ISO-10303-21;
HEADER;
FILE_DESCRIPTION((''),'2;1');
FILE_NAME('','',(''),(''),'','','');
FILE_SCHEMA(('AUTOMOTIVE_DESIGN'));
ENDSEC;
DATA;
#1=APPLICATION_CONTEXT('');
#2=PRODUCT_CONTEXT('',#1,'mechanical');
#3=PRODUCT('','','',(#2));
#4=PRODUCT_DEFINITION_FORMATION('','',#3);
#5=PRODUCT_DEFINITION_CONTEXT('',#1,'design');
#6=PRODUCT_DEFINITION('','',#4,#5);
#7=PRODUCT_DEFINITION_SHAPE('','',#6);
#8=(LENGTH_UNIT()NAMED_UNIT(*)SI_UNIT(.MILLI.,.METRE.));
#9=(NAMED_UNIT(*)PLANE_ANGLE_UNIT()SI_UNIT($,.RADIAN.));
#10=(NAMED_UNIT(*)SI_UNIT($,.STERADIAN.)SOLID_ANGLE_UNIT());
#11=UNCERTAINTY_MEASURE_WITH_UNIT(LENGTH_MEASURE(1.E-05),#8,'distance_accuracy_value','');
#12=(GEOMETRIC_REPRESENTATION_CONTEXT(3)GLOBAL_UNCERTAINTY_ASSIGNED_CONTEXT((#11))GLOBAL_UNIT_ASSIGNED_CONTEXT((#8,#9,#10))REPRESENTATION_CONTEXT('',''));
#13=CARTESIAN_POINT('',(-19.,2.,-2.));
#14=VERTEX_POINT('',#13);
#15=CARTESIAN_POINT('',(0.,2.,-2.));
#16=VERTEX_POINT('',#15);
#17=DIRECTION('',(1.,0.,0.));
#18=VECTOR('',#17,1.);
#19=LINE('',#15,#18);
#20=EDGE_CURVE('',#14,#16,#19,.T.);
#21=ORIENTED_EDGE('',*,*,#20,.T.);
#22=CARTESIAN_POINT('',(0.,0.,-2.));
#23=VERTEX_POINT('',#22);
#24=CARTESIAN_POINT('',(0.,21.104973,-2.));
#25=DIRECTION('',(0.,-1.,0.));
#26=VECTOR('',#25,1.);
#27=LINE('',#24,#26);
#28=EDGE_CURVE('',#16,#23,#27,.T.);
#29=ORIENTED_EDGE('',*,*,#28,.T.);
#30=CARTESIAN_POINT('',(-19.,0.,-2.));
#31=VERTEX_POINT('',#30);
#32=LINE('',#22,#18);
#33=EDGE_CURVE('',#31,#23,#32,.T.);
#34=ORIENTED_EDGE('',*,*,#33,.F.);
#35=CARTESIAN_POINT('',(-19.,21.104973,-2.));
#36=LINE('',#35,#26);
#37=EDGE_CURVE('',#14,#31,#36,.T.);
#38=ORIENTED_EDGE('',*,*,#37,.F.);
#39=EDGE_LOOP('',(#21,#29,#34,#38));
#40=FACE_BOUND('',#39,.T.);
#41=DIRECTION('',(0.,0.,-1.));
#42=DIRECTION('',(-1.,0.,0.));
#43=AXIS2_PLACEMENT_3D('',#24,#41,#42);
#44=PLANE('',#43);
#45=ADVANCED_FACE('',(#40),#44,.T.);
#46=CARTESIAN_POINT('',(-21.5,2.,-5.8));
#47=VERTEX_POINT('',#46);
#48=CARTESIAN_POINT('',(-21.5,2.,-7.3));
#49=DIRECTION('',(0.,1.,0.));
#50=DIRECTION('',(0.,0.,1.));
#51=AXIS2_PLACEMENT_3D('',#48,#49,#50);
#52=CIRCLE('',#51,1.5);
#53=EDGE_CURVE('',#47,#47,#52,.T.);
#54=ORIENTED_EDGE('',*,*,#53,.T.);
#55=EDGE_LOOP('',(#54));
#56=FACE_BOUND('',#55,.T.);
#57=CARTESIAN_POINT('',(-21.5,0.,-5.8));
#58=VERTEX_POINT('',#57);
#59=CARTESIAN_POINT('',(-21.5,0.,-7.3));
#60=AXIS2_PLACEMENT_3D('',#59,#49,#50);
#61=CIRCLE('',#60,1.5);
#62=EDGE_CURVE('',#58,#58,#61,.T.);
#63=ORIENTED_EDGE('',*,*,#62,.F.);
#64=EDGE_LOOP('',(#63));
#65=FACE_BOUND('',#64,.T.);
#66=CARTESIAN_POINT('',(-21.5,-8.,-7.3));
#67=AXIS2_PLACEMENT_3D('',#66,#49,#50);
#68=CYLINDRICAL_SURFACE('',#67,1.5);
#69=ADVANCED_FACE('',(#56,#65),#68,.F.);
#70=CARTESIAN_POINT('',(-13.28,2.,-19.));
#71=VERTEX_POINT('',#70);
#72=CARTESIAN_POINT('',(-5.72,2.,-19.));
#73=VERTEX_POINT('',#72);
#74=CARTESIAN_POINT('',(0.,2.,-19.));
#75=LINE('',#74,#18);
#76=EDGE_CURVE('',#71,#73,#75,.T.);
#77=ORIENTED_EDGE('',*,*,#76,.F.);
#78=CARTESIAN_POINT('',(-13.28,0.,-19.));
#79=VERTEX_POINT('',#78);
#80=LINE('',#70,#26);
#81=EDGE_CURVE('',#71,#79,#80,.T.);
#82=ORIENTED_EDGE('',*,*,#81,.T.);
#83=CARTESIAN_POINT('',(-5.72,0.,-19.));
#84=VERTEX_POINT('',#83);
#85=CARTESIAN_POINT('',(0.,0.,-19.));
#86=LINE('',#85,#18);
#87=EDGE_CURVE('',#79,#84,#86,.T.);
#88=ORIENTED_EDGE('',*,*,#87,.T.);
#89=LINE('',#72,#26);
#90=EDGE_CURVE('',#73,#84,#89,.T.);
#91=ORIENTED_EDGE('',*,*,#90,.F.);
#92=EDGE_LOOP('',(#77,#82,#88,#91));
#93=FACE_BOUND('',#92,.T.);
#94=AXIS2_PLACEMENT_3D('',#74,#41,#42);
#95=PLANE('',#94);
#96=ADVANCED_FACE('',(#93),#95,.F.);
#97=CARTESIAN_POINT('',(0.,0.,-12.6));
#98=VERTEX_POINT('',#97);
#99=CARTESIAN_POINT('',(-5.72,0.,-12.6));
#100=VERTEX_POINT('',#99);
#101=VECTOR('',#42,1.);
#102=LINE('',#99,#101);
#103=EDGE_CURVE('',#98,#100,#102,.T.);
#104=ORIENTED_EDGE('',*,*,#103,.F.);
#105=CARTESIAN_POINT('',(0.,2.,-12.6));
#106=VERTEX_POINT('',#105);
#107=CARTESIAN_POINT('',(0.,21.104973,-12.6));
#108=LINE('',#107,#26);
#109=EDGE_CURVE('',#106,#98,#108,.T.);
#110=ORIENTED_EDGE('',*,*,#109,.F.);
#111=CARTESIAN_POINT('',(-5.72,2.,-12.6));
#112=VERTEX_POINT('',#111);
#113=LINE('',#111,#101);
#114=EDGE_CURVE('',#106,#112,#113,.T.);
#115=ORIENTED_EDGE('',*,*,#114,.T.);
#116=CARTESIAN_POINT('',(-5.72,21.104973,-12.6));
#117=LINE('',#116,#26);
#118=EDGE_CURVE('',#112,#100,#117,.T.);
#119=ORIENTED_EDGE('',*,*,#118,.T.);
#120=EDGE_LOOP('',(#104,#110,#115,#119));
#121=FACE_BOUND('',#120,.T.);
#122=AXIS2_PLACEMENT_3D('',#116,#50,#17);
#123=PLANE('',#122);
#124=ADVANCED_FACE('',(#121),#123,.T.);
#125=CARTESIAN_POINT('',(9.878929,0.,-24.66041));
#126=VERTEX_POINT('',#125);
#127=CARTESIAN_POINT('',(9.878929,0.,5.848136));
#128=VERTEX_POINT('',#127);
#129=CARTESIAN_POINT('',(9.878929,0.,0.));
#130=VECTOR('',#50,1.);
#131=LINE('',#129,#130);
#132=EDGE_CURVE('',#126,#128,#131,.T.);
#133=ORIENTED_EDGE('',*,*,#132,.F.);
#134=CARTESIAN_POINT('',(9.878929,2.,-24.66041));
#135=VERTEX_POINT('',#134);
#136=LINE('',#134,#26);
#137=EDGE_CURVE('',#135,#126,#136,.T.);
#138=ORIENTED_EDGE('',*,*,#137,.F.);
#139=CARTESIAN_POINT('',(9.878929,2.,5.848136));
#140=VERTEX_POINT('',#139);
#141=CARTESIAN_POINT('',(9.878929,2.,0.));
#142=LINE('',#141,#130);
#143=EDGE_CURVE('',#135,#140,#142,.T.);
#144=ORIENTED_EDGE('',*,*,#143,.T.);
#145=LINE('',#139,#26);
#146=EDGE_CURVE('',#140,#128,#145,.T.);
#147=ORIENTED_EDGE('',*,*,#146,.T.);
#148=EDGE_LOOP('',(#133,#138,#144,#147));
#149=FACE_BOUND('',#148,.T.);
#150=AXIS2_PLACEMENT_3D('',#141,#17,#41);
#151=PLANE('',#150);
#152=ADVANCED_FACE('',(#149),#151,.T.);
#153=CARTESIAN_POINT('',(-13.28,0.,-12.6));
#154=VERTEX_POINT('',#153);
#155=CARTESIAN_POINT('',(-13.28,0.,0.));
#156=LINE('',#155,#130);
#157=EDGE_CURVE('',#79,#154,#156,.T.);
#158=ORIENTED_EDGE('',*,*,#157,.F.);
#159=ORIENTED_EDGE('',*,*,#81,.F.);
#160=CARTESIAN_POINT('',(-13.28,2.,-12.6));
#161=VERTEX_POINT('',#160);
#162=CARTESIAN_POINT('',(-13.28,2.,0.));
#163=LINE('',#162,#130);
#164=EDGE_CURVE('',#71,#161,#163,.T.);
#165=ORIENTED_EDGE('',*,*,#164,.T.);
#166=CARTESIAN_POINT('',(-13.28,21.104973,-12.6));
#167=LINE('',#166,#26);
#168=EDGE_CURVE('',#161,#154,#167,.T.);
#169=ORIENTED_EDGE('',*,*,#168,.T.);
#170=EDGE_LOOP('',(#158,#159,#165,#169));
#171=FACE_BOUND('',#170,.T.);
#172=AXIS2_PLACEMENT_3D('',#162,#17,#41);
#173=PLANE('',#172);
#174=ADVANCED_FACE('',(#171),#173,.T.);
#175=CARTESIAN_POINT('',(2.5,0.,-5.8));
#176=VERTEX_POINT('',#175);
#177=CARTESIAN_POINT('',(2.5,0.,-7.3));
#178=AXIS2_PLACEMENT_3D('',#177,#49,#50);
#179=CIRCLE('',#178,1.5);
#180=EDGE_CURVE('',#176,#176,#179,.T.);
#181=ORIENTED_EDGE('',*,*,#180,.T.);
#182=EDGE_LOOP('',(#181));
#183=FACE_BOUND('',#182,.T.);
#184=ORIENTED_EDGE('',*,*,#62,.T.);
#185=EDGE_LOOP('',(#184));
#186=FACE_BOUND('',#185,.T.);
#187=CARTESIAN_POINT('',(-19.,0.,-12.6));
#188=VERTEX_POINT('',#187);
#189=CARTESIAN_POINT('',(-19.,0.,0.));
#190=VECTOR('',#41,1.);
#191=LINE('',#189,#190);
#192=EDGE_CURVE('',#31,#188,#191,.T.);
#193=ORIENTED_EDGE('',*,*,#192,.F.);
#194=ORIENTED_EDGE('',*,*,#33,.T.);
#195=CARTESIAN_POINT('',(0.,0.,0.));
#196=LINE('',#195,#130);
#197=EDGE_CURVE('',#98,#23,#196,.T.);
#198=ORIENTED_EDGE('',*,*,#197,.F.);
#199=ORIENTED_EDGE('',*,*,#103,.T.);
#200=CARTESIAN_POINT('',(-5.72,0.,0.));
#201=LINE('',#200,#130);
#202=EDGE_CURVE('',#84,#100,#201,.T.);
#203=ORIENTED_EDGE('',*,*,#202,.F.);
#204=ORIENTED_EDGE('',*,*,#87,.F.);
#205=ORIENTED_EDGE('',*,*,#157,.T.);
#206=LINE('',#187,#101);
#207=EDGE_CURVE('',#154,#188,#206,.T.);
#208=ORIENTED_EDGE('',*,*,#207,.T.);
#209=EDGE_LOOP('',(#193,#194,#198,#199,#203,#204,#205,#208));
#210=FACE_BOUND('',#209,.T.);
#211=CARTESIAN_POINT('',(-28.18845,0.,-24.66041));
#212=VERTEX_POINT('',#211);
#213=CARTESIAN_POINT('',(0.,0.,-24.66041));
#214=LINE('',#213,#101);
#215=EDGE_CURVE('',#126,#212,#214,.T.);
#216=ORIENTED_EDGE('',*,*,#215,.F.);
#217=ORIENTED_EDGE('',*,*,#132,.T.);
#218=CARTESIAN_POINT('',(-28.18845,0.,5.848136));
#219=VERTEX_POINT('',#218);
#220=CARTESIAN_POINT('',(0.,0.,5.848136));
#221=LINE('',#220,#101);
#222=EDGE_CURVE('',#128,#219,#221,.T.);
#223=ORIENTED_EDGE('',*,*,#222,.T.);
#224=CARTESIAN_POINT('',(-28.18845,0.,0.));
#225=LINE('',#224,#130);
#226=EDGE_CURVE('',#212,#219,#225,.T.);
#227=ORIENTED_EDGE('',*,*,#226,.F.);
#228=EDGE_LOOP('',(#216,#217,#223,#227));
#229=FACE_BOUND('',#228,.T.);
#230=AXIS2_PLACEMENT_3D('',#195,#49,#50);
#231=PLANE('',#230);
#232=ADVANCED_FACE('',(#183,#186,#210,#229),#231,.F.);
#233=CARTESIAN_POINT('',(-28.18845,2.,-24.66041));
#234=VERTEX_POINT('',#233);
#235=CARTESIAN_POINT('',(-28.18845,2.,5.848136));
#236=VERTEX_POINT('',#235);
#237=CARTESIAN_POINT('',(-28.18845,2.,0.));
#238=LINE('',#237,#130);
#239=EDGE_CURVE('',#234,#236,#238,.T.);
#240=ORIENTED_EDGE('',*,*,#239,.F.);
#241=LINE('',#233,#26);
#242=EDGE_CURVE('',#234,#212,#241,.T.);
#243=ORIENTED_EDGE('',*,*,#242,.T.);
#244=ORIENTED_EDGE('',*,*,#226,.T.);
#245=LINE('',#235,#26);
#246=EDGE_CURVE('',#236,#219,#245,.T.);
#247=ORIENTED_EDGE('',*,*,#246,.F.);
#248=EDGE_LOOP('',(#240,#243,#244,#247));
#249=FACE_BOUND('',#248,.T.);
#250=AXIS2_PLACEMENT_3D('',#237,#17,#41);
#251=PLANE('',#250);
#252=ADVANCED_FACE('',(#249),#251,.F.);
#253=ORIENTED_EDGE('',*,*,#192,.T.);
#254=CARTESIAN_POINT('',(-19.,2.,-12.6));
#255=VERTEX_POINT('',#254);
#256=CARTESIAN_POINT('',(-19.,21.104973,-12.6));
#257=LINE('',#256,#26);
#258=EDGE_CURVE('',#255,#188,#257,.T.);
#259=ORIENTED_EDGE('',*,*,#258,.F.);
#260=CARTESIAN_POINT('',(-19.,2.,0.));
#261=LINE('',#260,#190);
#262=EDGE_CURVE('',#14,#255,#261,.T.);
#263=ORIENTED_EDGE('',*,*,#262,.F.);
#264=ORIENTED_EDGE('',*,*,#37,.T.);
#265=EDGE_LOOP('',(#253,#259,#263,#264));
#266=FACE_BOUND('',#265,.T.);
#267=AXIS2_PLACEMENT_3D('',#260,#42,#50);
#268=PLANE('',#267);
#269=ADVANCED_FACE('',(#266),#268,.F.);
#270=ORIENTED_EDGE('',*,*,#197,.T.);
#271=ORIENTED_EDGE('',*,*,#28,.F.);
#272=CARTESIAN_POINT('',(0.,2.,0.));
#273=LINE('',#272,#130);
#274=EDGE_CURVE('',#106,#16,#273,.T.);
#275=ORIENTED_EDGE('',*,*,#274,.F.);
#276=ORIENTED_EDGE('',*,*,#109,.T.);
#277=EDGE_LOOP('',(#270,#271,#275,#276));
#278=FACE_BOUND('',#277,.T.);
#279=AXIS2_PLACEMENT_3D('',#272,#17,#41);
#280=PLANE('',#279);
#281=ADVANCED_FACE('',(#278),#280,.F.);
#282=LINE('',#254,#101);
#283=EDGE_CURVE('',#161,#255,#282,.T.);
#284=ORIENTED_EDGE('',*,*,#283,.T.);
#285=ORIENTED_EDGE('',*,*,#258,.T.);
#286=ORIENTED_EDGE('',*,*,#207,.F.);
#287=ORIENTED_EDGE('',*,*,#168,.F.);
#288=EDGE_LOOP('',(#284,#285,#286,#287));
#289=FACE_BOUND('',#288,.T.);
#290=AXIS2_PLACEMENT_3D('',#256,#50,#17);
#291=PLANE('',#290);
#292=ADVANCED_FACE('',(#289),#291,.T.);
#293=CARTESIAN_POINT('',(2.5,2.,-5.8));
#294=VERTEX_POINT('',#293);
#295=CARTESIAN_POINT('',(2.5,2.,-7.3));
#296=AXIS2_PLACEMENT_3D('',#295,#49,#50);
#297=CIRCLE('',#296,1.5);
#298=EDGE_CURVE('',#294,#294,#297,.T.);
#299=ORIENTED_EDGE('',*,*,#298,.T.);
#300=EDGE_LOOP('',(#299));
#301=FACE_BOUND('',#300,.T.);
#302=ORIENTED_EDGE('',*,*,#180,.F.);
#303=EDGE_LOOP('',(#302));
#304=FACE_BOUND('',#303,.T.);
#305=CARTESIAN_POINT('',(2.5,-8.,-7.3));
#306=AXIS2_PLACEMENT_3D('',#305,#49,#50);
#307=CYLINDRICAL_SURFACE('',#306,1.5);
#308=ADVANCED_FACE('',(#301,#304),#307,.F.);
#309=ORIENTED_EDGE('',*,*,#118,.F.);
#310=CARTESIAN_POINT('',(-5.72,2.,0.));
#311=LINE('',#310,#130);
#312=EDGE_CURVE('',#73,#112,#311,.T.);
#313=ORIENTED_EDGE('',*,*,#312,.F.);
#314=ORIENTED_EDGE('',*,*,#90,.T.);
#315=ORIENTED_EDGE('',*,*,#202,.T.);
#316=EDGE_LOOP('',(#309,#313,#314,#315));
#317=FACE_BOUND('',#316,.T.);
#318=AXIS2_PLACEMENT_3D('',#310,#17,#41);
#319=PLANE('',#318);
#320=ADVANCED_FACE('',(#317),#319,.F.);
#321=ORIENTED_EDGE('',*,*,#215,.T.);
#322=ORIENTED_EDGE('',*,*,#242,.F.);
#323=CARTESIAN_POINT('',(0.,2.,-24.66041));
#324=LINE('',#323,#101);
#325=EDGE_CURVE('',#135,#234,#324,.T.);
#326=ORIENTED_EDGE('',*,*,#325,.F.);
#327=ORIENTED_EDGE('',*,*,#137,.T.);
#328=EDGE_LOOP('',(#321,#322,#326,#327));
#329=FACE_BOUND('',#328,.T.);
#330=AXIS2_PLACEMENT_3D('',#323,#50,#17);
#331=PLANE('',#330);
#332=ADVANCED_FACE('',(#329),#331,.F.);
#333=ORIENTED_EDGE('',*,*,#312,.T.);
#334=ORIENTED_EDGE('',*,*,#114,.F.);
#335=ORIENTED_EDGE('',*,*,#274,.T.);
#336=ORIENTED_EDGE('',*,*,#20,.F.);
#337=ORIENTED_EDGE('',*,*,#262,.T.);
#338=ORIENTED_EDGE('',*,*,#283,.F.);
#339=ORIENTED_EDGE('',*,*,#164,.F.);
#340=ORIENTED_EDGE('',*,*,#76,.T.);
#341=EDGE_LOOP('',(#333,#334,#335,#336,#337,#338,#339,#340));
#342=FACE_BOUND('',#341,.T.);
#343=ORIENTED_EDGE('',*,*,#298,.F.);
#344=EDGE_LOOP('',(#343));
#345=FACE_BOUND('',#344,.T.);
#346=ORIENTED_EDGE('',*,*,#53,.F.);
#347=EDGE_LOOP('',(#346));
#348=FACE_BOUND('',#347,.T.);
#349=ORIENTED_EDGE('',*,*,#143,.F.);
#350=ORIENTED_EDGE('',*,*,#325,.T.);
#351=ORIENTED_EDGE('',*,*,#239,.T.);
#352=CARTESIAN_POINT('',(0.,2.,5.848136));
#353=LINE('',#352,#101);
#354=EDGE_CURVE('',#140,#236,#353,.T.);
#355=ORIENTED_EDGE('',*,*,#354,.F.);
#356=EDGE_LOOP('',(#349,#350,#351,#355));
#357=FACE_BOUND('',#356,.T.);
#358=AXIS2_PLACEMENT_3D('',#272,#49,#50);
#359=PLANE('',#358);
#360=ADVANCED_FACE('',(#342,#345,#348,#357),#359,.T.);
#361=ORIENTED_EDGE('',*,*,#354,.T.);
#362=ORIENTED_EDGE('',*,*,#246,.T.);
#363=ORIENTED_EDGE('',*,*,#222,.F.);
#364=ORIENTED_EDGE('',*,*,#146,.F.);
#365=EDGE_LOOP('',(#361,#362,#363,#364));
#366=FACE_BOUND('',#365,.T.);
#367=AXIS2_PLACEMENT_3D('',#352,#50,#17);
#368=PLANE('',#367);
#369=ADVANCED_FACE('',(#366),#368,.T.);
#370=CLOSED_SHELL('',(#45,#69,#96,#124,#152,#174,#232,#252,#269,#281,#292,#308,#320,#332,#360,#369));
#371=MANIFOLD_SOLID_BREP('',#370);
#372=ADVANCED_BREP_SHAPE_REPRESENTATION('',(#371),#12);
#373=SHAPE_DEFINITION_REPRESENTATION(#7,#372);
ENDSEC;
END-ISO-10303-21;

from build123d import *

# Parameters (mm, degrees)
SKETCH1_W           = 38.06737889
SKETCH1_H           = 30.508545283
SKETCH1_R           = 1.5
SKETCH1_W_2         = 19
SKETCH1_H_2         = 19
SKETCH1_W_3         = 5.72
SKETCH1_H_3         = 4.4
BOSS_EXTRUDE1_DEPTH = 2
SKETCH2_W           = 5.72
SKETCH2_H           = 2
SKETCH2_W_2         = 19
BOSS_EXTRUDE2_DEPTH = 2
SKETCH4_W           = 5.306249276
SKETCH4_H           = 7.407734137
SKETCH4_W_2         = 4.41311821
SKETCH4_H_2         = 5.936694734
BOSS_EXTRUDE3_DEPTH = 2
SKETCH5_R           = 1.5
CUT_EXTRUDE1_DEPTH  = 10


with BuildPart() as part:
    # Sketch1 → Boss-Extrude1 (new body)
    # profile 1 of 3: a face of its own
    with BuildSketch(Plane(origin=(0, 0, 0), x_dir=(1, 0, 0), z_dir=(0, 1, 0))):
        with Locations((-9.154760873, 9.406137061)):
            Rectangle(SKETCH1_W, SKETCH1_H)
        with Locations(Location((-21.5, 7.875, 0), (0, 0, 270))):
            Circle(SKETCH1_R, mode=Mode.SUBTRACT)
        with Locations(Location((2.5, 7.875, 0), (0, 0, 270))):
            Circle(SKETCH1_R, mode=Mode.SUBTRACT)
        with Locations((-9.5, 9.5)):
            Rectangle(SKETCH1_W_2, SKETCH1_H_2, mode=Mode.SUBTRACT)
    # profile 2 of 3: a face of its own
    with BuildSketch(Plane(origin=(0, 0, 0), x_dir=(1, 0, 0), z_dir=(0, 1, 0))):
        with Locations((-16.14, 16.8)):
            Rectangle(SKETCH1_W_3, SKETCH1_H_3)
    # profile 3 of 3: a face of its own
    with BuildSketch(Plane(origin=(0, 0, 0), x_dir=(1, 0, 0), z_dir=(0, 1, 0))):
        with Locations((-2.86, 16.8)):
            Rectangle(SKETCH1_W_3, SKETCH1_H_3)
    extrude(amount=BOSS_EXTRUDE1_DEPTH)

    # Sketch2 → Boss-Extrude2 (add)
    with BuildSketch(Plane.XZ):
        with Locations((-16.14, -13.6)):
            Rectangle(SKETCH2_W, SKETCH2_H)
        with Locations((-2.86, -13.6)):
            Rectangle(SKETCH2_W, SKETCH2_H)
        with Locations((-9.5, -1)):
            Rectangle(SKETCH2_W_2, SKETCH2_H)
    extrude(amount=-BOSS_EXTRUDE2_DEPTH)

    # Sketch4 → Boss-Extrude3 (add)
    with BuildSketch(Plane(origin=(0, 2, 0), x_dir=(1, 0, 0), z_dir=(0, 1, 0))):
        with Locations((-22.157698454, 8.69688592)):
            Rectangle(SKETCH4_W, SKETCH4_H)
        with Locations((2.928777081, 8.329126069)):
            Rectangle(SKETCH4_W_2, SKETCH4_H_2)
    extrude(amount=-BOSS_EXTRUDE3_DEPTH)

    # Sketch5 → Cut-Extrude1 (cut)
    with BuildSketch(Plane(origin=(0, 2, 0), x_dir=(1, 0, 0), z_dir=(0, 1, 0))):
        with Locations(Location((-21.5, 7.3, 0), (0, 0, 270))):
            Circle(SKETCH5_R)
        with Locations(Location((2.5, 7.3, 0), (0, 0, 270))):
            Circle(SKETCH5_R)
    extrude(amount=-CUT_EXTRUDE1_DEPTH, mode=Mode.SUBTRACT)


solid = part.part
